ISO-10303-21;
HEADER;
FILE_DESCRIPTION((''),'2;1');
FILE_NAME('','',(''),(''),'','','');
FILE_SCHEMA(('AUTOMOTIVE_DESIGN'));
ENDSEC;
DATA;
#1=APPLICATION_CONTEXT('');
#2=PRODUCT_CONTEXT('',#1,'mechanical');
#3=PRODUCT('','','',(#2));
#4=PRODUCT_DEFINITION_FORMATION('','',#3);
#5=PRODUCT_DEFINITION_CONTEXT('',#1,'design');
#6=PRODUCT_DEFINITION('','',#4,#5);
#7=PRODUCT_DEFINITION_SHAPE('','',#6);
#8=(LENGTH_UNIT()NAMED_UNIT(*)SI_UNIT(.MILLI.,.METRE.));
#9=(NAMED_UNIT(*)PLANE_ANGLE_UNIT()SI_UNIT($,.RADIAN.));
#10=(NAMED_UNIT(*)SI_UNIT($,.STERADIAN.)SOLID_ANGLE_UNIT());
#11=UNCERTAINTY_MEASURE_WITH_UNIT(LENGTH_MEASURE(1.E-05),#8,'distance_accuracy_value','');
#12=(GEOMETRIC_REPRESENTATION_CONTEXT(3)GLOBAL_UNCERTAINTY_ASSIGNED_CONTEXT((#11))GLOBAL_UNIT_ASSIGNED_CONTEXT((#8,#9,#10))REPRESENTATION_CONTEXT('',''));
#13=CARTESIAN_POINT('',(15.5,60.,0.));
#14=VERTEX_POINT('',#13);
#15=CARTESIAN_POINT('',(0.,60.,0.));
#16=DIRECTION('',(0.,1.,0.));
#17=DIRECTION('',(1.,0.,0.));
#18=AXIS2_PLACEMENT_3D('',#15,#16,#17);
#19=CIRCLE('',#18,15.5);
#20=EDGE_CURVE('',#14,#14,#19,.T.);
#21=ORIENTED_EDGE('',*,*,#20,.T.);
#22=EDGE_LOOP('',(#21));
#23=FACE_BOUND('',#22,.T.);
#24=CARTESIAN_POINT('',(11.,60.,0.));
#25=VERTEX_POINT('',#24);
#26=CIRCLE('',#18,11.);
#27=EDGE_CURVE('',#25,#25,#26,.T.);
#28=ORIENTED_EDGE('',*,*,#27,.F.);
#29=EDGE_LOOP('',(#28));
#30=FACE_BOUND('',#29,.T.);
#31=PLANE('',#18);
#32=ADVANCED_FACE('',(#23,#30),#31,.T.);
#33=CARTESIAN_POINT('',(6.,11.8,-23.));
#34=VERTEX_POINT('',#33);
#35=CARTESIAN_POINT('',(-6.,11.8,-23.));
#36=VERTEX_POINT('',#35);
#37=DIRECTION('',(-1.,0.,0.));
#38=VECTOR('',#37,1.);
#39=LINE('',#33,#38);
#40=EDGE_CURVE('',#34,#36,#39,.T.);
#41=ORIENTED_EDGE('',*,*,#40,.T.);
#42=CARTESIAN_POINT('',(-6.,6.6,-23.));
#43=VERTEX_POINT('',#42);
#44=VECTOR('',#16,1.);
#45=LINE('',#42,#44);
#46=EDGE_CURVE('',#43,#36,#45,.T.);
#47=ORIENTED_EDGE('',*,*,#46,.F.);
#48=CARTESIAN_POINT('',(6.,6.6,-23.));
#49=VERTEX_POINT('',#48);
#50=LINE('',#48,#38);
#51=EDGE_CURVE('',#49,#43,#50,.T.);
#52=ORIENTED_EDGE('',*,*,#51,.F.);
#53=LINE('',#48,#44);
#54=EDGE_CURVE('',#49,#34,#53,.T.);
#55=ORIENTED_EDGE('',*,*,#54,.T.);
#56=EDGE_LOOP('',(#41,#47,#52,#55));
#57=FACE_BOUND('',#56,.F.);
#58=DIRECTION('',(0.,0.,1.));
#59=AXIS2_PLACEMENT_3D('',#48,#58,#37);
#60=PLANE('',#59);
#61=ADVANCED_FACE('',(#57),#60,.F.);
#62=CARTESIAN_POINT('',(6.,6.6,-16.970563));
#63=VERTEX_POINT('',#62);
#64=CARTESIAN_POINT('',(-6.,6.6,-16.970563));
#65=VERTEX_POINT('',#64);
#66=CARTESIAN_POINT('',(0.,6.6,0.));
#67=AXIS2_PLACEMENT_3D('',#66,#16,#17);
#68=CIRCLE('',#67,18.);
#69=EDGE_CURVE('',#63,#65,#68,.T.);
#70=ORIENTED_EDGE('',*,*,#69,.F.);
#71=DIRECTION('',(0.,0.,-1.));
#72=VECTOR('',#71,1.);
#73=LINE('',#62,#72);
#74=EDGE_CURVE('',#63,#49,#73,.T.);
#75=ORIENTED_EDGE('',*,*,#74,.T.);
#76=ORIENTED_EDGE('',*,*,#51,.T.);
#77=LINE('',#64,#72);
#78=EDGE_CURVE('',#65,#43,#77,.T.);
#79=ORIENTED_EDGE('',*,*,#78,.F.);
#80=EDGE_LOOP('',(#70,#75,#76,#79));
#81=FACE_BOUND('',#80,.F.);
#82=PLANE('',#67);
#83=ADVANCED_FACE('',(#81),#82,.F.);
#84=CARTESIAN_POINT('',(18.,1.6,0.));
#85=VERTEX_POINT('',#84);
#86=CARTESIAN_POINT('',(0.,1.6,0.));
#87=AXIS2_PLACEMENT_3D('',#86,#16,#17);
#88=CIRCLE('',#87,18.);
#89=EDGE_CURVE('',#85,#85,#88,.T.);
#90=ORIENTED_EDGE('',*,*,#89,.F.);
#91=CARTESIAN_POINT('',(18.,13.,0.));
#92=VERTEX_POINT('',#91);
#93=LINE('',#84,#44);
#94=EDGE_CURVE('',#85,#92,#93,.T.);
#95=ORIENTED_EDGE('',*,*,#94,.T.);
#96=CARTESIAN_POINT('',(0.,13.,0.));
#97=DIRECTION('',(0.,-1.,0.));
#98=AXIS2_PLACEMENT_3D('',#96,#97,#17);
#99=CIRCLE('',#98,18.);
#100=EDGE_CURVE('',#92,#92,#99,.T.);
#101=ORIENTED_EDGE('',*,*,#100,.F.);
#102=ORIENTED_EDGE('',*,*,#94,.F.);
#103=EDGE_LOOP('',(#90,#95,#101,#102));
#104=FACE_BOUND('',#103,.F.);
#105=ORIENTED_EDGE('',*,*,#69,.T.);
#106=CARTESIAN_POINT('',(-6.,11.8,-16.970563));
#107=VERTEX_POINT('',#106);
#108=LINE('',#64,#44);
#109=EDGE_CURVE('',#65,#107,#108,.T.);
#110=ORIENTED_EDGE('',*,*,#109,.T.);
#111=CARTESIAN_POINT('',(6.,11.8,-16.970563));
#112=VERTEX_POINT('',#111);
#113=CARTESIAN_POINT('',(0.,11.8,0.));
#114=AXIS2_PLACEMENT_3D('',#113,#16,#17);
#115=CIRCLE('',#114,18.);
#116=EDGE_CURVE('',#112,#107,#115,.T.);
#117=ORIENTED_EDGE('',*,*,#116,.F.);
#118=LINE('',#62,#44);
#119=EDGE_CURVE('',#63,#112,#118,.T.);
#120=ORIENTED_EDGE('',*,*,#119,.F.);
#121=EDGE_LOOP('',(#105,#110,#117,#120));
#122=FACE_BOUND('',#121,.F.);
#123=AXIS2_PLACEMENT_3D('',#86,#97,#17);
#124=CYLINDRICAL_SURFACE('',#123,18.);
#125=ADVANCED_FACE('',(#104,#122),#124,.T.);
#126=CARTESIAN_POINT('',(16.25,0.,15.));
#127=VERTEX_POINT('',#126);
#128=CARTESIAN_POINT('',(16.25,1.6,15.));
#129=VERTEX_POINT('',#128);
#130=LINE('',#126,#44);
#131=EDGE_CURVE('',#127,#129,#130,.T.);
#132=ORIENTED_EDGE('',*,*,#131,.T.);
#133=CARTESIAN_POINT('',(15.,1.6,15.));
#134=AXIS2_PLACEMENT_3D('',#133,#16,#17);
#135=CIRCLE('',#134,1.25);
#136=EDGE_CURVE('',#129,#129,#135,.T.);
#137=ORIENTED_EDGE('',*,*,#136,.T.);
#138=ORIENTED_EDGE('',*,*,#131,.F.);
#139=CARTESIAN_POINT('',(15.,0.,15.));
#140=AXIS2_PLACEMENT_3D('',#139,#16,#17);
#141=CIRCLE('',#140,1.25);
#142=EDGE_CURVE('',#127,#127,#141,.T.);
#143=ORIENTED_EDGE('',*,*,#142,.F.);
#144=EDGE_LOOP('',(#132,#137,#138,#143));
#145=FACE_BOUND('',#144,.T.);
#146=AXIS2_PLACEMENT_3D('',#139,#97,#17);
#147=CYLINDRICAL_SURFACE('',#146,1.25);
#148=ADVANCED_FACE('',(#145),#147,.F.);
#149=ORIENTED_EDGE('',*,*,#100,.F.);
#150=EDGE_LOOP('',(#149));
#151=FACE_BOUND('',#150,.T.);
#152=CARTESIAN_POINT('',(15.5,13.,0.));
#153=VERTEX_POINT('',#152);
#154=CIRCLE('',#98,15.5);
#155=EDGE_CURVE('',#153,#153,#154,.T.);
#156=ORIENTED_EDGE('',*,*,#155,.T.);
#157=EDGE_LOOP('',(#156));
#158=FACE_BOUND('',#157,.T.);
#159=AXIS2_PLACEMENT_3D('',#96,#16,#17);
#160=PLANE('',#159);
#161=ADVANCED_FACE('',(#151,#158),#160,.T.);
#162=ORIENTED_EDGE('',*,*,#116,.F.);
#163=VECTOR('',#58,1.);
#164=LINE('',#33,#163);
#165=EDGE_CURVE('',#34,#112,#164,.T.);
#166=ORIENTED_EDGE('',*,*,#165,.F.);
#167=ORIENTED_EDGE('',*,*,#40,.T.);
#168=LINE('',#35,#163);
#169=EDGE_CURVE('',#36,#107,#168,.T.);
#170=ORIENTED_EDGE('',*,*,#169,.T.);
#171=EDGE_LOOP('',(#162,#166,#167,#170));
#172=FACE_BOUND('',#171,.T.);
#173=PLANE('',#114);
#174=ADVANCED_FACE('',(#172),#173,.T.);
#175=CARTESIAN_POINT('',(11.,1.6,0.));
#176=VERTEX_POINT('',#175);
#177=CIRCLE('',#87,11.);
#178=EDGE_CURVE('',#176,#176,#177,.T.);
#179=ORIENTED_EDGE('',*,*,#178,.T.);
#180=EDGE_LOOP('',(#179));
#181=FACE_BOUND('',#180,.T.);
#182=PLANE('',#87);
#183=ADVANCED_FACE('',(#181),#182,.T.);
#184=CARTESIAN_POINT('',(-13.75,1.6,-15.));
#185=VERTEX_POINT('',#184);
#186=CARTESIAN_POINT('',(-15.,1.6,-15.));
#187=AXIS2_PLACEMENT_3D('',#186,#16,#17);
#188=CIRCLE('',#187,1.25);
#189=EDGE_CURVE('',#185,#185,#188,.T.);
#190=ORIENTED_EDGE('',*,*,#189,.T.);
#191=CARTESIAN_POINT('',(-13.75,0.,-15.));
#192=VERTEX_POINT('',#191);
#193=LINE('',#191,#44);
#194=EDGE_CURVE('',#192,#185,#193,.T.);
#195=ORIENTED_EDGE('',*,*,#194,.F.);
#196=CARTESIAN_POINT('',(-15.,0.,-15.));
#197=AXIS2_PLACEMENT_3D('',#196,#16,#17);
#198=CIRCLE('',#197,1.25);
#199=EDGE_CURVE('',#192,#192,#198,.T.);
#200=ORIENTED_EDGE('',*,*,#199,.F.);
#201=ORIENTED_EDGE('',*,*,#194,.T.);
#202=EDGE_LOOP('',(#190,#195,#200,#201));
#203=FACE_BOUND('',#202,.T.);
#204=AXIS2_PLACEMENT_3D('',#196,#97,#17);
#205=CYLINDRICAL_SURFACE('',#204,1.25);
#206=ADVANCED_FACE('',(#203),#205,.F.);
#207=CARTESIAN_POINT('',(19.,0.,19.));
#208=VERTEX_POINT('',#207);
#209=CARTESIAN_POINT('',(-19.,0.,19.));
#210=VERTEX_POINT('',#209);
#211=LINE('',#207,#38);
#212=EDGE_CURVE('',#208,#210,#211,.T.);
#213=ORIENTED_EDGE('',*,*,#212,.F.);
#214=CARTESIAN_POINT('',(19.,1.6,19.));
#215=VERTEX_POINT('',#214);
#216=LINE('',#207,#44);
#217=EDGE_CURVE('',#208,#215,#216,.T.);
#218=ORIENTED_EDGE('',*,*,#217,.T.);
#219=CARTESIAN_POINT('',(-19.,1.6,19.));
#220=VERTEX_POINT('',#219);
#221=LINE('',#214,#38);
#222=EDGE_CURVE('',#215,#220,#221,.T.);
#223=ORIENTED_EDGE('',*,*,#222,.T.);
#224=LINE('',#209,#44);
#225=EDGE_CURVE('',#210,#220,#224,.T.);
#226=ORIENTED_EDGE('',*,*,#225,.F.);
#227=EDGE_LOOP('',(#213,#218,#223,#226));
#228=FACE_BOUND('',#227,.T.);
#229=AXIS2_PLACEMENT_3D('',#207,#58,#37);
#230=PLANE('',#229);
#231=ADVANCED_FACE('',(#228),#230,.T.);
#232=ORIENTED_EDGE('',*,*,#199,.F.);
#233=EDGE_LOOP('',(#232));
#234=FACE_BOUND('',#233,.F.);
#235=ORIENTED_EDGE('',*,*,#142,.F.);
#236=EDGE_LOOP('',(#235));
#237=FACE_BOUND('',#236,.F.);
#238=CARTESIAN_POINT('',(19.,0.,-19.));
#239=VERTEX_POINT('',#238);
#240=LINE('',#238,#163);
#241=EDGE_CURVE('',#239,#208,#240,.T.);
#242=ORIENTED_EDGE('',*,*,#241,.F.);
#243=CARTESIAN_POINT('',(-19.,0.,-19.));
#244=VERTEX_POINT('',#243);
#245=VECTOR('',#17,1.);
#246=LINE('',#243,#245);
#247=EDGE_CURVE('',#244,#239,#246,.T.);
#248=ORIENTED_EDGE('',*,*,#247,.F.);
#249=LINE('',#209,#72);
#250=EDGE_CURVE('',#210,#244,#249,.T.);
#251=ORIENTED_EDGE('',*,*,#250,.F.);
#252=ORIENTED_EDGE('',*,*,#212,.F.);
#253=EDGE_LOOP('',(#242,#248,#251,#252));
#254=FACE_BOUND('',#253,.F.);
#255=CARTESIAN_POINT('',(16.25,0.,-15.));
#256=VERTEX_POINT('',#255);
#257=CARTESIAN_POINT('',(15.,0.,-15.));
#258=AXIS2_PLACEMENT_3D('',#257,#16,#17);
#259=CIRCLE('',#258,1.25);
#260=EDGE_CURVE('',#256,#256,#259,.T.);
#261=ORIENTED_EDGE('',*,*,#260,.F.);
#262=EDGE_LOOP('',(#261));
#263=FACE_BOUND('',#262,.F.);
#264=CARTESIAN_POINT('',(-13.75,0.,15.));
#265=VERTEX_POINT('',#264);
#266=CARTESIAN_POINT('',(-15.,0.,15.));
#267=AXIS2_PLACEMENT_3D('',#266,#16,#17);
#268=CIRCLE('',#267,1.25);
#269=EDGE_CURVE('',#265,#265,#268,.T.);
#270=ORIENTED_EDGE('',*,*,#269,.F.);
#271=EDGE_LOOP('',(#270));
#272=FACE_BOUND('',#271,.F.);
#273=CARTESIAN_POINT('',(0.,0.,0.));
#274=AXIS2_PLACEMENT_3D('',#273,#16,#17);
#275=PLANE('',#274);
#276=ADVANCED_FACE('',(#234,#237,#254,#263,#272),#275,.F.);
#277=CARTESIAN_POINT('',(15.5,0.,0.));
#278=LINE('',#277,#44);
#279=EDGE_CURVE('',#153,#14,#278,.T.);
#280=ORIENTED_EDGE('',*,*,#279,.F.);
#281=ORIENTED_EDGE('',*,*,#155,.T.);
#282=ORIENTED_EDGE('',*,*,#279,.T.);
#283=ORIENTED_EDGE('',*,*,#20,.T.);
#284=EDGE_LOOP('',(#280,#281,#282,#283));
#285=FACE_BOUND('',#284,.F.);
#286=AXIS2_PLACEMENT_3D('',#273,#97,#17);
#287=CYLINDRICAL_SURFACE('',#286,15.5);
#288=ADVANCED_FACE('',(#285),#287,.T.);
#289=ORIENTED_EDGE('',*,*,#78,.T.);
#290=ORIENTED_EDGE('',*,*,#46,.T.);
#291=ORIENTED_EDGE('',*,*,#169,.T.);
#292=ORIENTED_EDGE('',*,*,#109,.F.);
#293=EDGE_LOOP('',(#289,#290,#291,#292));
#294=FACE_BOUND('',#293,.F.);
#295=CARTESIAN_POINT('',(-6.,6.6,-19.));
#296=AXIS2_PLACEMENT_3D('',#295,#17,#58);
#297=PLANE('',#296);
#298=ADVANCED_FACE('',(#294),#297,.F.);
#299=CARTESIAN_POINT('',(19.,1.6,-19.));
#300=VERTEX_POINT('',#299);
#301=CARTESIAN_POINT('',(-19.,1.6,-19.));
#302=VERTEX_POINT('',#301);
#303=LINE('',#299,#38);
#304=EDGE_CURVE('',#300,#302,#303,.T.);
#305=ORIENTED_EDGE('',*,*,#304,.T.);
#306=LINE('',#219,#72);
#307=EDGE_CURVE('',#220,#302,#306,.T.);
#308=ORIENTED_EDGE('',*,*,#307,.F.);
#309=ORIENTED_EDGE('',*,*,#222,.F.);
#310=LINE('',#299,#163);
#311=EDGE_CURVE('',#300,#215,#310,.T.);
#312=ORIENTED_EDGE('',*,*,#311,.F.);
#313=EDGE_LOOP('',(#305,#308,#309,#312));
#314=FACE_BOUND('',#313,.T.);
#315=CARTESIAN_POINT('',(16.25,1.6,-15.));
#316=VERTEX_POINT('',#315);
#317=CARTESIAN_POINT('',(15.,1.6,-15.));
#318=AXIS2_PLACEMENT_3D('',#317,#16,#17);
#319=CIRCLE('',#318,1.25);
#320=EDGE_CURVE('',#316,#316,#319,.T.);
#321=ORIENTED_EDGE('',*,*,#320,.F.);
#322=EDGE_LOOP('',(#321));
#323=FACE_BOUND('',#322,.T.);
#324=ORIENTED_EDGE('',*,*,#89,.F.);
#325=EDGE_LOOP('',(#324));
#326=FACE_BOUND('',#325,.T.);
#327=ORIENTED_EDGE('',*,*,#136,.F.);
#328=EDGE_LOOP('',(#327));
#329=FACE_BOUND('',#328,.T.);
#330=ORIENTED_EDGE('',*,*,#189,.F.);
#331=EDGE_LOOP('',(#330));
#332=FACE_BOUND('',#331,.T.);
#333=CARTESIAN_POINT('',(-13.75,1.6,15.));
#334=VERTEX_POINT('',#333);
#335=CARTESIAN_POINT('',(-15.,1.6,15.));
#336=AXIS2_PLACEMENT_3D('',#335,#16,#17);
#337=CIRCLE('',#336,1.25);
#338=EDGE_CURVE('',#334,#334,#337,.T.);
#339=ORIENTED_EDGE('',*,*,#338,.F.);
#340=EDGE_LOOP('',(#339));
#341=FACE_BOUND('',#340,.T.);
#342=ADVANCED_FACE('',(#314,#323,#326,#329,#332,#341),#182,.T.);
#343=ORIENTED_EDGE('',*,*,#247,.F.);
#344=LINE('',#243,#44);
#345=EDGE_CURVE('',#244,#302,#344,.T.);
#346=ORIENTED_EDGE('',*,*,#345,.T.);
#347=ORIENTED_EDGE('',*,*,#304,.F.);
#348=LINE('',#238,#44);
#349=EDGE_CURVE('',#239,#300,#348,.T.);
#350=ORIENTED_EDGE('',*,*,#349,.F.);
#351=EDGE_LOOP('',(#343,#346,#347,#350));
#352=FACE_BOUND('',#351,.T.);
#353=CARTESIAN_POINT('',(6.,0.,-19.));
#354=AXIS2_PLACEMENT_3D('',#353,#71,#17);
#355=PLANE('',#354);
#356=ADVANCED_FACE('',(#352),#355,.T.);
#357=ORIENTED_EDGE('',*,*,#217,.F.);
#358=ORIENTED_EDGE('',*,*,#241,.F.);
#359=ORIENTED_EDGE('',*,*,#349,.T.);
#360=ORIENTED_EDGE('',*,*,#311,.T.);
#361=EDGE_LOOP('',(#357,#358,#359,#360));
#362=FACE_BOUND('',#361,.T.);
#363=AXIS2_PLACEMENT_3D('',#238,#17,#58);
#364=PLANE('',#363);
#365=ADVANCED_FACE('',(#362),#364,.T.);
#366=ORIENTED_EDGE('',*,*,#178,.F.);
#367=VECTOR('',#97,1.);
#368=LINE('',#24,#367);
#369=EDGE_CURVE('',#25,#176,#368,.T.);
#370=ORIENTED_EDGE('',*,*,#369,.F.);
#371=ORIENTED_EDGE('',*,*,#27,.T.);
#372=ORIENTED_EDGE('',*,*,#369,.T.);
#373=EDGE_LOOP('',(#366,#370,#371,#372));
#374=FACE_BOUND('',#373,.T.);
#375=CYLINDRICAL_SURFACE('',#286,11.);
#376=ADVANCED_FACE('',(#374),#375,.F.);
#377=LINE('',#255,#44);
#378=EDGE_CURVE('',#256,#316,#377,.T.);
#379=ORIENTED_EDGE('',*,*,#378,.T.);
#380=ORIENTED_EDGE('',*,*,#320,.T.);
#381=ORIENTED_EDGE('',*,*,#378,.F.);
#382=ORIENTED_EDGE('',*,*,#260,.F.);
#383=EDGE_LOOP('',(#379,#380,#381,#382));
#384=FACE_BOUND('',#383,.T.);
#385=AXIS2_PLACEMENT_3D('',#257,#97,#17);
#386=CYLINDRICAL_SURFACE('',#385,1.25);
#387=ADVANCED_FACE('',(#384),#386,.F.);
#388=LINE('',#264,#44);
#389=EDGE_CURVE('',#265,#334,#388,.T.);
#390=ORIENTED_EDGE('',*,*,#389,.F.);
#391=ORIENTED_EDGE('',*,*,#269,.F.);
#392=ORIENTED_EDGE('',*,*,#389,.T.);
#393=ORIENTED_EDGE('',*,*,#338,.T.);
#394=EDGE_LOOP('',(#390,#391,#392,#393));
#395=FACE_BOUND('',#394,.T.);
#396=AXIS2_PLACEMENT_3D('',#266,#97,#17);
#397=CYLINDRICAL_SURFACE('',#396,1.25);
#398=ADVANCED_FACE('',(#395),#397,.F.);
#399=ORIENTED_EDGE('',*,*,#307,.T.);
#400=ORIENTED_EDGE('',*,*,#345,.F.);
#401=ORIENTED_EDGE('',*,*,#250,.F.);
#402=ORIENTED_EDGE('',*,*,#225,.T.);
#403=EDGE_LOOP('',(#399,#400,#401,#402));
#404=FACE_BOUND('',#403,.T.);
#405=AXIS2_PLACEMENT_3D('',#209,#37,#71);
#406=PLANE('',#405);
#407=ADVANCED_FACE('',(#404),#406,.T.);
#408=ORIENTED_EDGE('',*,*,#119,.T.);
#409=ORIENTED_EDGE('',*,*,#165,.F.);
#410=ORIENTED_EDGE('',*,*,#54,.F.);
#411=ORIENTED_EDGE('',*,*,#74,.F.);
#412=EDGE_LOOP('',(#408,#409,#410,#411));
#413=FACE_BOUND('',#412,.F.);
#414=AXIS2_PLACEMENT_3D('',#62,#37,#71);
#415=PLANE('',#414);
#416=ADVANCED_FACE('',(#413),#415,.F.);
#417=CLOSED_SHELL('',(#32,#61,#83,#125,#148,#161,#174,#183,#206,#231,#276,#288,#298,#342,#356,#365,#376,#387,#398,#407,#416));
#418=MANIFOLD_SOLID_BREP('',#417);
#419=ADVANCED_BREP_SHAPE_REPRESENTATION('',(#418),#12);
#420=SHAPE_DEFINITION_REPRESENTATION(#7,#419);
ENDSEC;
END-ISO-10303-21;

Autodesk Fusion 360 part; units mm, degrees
sketch "camera_dimensions" plane through (0, 0, 0) normal (0, 1, 0) x (1, 0, 0)
  line L0 (19, -19) -> (-19, -19)
  line L1 (-19, -19) -> (-19, 19)
  line L2 (-19, 19) -> (19, 19)
  line L3 (19, 19) -> (19, -19)
  line L4 (19, -19) -> (-19, 19) construction
  line L5 (-19, -19) -> (19, 19) construction
  circle A0 centre (-15, 15) radius 1.25
  circle A1 centre (15, 15) radius 1.25
  circle A2 centre (-15, -15) radius 1.25
  circle A3 centre (15, -15) radius 1.25
  circle A4 centre (0, 0) radius 18
  circle A5 centre (0, 0) radius 15.5
  circle A6 centre (0, 0) radius 11
  line L6 (-6, 16) -> (6, 16)
  line L7 (6, 16) -> (6, 23)
  line L8 (6, 23) -> (-6, 23)
  line L9 (-6, 23) -> (-6, 16)
  line L10 (0, 30) -> (0, -25) construction
  dimension "d1" = 38
  dimension "d2" = 38
  dimension "d3" = 2.5
  dimension "d4" = 4
  dimension "d5" = 4
  dimension "d6" = 2.5
  dimension "d7" = 2.5
  dimension "d8" = 2.5
  dimension "d9" = 4
  dimension "d10" = 4
  dimension "d11" = 4
  dimension "d12" = 4
  dimension "d13" = 4
  dimension "d14" = 4
  dimension "d15" = 36
  dimension "d16" = 31
  dimension "d17" = 22
  dimension "d18" = 12
extrude "Extrude1" add sketch "camera_dimensions" along normal blind 1.6 contours L0 L1 L2 L3 A4 L7 L9 | L2 A4 L7 L9 | A4 L6 L7 L9 | A4 L6 L7 L9 | A5 | A6
extrude "Extrude2" add sketch "camera_dimensions" along normal blind 11.4 from surface at 1.6 contours A4 L6 L7 L9 | A4 L6 L7 L9 | A5
extrude "Extrude3" add sketch "camera_dimensions" along normal blind 60 contours A5
extrude "Extrude4" add sketch "camera_dimensions" along normal blind 5.2 from surface at 6.6 contours L2 A4 L7 L9 | L2 L7 L8 L9
